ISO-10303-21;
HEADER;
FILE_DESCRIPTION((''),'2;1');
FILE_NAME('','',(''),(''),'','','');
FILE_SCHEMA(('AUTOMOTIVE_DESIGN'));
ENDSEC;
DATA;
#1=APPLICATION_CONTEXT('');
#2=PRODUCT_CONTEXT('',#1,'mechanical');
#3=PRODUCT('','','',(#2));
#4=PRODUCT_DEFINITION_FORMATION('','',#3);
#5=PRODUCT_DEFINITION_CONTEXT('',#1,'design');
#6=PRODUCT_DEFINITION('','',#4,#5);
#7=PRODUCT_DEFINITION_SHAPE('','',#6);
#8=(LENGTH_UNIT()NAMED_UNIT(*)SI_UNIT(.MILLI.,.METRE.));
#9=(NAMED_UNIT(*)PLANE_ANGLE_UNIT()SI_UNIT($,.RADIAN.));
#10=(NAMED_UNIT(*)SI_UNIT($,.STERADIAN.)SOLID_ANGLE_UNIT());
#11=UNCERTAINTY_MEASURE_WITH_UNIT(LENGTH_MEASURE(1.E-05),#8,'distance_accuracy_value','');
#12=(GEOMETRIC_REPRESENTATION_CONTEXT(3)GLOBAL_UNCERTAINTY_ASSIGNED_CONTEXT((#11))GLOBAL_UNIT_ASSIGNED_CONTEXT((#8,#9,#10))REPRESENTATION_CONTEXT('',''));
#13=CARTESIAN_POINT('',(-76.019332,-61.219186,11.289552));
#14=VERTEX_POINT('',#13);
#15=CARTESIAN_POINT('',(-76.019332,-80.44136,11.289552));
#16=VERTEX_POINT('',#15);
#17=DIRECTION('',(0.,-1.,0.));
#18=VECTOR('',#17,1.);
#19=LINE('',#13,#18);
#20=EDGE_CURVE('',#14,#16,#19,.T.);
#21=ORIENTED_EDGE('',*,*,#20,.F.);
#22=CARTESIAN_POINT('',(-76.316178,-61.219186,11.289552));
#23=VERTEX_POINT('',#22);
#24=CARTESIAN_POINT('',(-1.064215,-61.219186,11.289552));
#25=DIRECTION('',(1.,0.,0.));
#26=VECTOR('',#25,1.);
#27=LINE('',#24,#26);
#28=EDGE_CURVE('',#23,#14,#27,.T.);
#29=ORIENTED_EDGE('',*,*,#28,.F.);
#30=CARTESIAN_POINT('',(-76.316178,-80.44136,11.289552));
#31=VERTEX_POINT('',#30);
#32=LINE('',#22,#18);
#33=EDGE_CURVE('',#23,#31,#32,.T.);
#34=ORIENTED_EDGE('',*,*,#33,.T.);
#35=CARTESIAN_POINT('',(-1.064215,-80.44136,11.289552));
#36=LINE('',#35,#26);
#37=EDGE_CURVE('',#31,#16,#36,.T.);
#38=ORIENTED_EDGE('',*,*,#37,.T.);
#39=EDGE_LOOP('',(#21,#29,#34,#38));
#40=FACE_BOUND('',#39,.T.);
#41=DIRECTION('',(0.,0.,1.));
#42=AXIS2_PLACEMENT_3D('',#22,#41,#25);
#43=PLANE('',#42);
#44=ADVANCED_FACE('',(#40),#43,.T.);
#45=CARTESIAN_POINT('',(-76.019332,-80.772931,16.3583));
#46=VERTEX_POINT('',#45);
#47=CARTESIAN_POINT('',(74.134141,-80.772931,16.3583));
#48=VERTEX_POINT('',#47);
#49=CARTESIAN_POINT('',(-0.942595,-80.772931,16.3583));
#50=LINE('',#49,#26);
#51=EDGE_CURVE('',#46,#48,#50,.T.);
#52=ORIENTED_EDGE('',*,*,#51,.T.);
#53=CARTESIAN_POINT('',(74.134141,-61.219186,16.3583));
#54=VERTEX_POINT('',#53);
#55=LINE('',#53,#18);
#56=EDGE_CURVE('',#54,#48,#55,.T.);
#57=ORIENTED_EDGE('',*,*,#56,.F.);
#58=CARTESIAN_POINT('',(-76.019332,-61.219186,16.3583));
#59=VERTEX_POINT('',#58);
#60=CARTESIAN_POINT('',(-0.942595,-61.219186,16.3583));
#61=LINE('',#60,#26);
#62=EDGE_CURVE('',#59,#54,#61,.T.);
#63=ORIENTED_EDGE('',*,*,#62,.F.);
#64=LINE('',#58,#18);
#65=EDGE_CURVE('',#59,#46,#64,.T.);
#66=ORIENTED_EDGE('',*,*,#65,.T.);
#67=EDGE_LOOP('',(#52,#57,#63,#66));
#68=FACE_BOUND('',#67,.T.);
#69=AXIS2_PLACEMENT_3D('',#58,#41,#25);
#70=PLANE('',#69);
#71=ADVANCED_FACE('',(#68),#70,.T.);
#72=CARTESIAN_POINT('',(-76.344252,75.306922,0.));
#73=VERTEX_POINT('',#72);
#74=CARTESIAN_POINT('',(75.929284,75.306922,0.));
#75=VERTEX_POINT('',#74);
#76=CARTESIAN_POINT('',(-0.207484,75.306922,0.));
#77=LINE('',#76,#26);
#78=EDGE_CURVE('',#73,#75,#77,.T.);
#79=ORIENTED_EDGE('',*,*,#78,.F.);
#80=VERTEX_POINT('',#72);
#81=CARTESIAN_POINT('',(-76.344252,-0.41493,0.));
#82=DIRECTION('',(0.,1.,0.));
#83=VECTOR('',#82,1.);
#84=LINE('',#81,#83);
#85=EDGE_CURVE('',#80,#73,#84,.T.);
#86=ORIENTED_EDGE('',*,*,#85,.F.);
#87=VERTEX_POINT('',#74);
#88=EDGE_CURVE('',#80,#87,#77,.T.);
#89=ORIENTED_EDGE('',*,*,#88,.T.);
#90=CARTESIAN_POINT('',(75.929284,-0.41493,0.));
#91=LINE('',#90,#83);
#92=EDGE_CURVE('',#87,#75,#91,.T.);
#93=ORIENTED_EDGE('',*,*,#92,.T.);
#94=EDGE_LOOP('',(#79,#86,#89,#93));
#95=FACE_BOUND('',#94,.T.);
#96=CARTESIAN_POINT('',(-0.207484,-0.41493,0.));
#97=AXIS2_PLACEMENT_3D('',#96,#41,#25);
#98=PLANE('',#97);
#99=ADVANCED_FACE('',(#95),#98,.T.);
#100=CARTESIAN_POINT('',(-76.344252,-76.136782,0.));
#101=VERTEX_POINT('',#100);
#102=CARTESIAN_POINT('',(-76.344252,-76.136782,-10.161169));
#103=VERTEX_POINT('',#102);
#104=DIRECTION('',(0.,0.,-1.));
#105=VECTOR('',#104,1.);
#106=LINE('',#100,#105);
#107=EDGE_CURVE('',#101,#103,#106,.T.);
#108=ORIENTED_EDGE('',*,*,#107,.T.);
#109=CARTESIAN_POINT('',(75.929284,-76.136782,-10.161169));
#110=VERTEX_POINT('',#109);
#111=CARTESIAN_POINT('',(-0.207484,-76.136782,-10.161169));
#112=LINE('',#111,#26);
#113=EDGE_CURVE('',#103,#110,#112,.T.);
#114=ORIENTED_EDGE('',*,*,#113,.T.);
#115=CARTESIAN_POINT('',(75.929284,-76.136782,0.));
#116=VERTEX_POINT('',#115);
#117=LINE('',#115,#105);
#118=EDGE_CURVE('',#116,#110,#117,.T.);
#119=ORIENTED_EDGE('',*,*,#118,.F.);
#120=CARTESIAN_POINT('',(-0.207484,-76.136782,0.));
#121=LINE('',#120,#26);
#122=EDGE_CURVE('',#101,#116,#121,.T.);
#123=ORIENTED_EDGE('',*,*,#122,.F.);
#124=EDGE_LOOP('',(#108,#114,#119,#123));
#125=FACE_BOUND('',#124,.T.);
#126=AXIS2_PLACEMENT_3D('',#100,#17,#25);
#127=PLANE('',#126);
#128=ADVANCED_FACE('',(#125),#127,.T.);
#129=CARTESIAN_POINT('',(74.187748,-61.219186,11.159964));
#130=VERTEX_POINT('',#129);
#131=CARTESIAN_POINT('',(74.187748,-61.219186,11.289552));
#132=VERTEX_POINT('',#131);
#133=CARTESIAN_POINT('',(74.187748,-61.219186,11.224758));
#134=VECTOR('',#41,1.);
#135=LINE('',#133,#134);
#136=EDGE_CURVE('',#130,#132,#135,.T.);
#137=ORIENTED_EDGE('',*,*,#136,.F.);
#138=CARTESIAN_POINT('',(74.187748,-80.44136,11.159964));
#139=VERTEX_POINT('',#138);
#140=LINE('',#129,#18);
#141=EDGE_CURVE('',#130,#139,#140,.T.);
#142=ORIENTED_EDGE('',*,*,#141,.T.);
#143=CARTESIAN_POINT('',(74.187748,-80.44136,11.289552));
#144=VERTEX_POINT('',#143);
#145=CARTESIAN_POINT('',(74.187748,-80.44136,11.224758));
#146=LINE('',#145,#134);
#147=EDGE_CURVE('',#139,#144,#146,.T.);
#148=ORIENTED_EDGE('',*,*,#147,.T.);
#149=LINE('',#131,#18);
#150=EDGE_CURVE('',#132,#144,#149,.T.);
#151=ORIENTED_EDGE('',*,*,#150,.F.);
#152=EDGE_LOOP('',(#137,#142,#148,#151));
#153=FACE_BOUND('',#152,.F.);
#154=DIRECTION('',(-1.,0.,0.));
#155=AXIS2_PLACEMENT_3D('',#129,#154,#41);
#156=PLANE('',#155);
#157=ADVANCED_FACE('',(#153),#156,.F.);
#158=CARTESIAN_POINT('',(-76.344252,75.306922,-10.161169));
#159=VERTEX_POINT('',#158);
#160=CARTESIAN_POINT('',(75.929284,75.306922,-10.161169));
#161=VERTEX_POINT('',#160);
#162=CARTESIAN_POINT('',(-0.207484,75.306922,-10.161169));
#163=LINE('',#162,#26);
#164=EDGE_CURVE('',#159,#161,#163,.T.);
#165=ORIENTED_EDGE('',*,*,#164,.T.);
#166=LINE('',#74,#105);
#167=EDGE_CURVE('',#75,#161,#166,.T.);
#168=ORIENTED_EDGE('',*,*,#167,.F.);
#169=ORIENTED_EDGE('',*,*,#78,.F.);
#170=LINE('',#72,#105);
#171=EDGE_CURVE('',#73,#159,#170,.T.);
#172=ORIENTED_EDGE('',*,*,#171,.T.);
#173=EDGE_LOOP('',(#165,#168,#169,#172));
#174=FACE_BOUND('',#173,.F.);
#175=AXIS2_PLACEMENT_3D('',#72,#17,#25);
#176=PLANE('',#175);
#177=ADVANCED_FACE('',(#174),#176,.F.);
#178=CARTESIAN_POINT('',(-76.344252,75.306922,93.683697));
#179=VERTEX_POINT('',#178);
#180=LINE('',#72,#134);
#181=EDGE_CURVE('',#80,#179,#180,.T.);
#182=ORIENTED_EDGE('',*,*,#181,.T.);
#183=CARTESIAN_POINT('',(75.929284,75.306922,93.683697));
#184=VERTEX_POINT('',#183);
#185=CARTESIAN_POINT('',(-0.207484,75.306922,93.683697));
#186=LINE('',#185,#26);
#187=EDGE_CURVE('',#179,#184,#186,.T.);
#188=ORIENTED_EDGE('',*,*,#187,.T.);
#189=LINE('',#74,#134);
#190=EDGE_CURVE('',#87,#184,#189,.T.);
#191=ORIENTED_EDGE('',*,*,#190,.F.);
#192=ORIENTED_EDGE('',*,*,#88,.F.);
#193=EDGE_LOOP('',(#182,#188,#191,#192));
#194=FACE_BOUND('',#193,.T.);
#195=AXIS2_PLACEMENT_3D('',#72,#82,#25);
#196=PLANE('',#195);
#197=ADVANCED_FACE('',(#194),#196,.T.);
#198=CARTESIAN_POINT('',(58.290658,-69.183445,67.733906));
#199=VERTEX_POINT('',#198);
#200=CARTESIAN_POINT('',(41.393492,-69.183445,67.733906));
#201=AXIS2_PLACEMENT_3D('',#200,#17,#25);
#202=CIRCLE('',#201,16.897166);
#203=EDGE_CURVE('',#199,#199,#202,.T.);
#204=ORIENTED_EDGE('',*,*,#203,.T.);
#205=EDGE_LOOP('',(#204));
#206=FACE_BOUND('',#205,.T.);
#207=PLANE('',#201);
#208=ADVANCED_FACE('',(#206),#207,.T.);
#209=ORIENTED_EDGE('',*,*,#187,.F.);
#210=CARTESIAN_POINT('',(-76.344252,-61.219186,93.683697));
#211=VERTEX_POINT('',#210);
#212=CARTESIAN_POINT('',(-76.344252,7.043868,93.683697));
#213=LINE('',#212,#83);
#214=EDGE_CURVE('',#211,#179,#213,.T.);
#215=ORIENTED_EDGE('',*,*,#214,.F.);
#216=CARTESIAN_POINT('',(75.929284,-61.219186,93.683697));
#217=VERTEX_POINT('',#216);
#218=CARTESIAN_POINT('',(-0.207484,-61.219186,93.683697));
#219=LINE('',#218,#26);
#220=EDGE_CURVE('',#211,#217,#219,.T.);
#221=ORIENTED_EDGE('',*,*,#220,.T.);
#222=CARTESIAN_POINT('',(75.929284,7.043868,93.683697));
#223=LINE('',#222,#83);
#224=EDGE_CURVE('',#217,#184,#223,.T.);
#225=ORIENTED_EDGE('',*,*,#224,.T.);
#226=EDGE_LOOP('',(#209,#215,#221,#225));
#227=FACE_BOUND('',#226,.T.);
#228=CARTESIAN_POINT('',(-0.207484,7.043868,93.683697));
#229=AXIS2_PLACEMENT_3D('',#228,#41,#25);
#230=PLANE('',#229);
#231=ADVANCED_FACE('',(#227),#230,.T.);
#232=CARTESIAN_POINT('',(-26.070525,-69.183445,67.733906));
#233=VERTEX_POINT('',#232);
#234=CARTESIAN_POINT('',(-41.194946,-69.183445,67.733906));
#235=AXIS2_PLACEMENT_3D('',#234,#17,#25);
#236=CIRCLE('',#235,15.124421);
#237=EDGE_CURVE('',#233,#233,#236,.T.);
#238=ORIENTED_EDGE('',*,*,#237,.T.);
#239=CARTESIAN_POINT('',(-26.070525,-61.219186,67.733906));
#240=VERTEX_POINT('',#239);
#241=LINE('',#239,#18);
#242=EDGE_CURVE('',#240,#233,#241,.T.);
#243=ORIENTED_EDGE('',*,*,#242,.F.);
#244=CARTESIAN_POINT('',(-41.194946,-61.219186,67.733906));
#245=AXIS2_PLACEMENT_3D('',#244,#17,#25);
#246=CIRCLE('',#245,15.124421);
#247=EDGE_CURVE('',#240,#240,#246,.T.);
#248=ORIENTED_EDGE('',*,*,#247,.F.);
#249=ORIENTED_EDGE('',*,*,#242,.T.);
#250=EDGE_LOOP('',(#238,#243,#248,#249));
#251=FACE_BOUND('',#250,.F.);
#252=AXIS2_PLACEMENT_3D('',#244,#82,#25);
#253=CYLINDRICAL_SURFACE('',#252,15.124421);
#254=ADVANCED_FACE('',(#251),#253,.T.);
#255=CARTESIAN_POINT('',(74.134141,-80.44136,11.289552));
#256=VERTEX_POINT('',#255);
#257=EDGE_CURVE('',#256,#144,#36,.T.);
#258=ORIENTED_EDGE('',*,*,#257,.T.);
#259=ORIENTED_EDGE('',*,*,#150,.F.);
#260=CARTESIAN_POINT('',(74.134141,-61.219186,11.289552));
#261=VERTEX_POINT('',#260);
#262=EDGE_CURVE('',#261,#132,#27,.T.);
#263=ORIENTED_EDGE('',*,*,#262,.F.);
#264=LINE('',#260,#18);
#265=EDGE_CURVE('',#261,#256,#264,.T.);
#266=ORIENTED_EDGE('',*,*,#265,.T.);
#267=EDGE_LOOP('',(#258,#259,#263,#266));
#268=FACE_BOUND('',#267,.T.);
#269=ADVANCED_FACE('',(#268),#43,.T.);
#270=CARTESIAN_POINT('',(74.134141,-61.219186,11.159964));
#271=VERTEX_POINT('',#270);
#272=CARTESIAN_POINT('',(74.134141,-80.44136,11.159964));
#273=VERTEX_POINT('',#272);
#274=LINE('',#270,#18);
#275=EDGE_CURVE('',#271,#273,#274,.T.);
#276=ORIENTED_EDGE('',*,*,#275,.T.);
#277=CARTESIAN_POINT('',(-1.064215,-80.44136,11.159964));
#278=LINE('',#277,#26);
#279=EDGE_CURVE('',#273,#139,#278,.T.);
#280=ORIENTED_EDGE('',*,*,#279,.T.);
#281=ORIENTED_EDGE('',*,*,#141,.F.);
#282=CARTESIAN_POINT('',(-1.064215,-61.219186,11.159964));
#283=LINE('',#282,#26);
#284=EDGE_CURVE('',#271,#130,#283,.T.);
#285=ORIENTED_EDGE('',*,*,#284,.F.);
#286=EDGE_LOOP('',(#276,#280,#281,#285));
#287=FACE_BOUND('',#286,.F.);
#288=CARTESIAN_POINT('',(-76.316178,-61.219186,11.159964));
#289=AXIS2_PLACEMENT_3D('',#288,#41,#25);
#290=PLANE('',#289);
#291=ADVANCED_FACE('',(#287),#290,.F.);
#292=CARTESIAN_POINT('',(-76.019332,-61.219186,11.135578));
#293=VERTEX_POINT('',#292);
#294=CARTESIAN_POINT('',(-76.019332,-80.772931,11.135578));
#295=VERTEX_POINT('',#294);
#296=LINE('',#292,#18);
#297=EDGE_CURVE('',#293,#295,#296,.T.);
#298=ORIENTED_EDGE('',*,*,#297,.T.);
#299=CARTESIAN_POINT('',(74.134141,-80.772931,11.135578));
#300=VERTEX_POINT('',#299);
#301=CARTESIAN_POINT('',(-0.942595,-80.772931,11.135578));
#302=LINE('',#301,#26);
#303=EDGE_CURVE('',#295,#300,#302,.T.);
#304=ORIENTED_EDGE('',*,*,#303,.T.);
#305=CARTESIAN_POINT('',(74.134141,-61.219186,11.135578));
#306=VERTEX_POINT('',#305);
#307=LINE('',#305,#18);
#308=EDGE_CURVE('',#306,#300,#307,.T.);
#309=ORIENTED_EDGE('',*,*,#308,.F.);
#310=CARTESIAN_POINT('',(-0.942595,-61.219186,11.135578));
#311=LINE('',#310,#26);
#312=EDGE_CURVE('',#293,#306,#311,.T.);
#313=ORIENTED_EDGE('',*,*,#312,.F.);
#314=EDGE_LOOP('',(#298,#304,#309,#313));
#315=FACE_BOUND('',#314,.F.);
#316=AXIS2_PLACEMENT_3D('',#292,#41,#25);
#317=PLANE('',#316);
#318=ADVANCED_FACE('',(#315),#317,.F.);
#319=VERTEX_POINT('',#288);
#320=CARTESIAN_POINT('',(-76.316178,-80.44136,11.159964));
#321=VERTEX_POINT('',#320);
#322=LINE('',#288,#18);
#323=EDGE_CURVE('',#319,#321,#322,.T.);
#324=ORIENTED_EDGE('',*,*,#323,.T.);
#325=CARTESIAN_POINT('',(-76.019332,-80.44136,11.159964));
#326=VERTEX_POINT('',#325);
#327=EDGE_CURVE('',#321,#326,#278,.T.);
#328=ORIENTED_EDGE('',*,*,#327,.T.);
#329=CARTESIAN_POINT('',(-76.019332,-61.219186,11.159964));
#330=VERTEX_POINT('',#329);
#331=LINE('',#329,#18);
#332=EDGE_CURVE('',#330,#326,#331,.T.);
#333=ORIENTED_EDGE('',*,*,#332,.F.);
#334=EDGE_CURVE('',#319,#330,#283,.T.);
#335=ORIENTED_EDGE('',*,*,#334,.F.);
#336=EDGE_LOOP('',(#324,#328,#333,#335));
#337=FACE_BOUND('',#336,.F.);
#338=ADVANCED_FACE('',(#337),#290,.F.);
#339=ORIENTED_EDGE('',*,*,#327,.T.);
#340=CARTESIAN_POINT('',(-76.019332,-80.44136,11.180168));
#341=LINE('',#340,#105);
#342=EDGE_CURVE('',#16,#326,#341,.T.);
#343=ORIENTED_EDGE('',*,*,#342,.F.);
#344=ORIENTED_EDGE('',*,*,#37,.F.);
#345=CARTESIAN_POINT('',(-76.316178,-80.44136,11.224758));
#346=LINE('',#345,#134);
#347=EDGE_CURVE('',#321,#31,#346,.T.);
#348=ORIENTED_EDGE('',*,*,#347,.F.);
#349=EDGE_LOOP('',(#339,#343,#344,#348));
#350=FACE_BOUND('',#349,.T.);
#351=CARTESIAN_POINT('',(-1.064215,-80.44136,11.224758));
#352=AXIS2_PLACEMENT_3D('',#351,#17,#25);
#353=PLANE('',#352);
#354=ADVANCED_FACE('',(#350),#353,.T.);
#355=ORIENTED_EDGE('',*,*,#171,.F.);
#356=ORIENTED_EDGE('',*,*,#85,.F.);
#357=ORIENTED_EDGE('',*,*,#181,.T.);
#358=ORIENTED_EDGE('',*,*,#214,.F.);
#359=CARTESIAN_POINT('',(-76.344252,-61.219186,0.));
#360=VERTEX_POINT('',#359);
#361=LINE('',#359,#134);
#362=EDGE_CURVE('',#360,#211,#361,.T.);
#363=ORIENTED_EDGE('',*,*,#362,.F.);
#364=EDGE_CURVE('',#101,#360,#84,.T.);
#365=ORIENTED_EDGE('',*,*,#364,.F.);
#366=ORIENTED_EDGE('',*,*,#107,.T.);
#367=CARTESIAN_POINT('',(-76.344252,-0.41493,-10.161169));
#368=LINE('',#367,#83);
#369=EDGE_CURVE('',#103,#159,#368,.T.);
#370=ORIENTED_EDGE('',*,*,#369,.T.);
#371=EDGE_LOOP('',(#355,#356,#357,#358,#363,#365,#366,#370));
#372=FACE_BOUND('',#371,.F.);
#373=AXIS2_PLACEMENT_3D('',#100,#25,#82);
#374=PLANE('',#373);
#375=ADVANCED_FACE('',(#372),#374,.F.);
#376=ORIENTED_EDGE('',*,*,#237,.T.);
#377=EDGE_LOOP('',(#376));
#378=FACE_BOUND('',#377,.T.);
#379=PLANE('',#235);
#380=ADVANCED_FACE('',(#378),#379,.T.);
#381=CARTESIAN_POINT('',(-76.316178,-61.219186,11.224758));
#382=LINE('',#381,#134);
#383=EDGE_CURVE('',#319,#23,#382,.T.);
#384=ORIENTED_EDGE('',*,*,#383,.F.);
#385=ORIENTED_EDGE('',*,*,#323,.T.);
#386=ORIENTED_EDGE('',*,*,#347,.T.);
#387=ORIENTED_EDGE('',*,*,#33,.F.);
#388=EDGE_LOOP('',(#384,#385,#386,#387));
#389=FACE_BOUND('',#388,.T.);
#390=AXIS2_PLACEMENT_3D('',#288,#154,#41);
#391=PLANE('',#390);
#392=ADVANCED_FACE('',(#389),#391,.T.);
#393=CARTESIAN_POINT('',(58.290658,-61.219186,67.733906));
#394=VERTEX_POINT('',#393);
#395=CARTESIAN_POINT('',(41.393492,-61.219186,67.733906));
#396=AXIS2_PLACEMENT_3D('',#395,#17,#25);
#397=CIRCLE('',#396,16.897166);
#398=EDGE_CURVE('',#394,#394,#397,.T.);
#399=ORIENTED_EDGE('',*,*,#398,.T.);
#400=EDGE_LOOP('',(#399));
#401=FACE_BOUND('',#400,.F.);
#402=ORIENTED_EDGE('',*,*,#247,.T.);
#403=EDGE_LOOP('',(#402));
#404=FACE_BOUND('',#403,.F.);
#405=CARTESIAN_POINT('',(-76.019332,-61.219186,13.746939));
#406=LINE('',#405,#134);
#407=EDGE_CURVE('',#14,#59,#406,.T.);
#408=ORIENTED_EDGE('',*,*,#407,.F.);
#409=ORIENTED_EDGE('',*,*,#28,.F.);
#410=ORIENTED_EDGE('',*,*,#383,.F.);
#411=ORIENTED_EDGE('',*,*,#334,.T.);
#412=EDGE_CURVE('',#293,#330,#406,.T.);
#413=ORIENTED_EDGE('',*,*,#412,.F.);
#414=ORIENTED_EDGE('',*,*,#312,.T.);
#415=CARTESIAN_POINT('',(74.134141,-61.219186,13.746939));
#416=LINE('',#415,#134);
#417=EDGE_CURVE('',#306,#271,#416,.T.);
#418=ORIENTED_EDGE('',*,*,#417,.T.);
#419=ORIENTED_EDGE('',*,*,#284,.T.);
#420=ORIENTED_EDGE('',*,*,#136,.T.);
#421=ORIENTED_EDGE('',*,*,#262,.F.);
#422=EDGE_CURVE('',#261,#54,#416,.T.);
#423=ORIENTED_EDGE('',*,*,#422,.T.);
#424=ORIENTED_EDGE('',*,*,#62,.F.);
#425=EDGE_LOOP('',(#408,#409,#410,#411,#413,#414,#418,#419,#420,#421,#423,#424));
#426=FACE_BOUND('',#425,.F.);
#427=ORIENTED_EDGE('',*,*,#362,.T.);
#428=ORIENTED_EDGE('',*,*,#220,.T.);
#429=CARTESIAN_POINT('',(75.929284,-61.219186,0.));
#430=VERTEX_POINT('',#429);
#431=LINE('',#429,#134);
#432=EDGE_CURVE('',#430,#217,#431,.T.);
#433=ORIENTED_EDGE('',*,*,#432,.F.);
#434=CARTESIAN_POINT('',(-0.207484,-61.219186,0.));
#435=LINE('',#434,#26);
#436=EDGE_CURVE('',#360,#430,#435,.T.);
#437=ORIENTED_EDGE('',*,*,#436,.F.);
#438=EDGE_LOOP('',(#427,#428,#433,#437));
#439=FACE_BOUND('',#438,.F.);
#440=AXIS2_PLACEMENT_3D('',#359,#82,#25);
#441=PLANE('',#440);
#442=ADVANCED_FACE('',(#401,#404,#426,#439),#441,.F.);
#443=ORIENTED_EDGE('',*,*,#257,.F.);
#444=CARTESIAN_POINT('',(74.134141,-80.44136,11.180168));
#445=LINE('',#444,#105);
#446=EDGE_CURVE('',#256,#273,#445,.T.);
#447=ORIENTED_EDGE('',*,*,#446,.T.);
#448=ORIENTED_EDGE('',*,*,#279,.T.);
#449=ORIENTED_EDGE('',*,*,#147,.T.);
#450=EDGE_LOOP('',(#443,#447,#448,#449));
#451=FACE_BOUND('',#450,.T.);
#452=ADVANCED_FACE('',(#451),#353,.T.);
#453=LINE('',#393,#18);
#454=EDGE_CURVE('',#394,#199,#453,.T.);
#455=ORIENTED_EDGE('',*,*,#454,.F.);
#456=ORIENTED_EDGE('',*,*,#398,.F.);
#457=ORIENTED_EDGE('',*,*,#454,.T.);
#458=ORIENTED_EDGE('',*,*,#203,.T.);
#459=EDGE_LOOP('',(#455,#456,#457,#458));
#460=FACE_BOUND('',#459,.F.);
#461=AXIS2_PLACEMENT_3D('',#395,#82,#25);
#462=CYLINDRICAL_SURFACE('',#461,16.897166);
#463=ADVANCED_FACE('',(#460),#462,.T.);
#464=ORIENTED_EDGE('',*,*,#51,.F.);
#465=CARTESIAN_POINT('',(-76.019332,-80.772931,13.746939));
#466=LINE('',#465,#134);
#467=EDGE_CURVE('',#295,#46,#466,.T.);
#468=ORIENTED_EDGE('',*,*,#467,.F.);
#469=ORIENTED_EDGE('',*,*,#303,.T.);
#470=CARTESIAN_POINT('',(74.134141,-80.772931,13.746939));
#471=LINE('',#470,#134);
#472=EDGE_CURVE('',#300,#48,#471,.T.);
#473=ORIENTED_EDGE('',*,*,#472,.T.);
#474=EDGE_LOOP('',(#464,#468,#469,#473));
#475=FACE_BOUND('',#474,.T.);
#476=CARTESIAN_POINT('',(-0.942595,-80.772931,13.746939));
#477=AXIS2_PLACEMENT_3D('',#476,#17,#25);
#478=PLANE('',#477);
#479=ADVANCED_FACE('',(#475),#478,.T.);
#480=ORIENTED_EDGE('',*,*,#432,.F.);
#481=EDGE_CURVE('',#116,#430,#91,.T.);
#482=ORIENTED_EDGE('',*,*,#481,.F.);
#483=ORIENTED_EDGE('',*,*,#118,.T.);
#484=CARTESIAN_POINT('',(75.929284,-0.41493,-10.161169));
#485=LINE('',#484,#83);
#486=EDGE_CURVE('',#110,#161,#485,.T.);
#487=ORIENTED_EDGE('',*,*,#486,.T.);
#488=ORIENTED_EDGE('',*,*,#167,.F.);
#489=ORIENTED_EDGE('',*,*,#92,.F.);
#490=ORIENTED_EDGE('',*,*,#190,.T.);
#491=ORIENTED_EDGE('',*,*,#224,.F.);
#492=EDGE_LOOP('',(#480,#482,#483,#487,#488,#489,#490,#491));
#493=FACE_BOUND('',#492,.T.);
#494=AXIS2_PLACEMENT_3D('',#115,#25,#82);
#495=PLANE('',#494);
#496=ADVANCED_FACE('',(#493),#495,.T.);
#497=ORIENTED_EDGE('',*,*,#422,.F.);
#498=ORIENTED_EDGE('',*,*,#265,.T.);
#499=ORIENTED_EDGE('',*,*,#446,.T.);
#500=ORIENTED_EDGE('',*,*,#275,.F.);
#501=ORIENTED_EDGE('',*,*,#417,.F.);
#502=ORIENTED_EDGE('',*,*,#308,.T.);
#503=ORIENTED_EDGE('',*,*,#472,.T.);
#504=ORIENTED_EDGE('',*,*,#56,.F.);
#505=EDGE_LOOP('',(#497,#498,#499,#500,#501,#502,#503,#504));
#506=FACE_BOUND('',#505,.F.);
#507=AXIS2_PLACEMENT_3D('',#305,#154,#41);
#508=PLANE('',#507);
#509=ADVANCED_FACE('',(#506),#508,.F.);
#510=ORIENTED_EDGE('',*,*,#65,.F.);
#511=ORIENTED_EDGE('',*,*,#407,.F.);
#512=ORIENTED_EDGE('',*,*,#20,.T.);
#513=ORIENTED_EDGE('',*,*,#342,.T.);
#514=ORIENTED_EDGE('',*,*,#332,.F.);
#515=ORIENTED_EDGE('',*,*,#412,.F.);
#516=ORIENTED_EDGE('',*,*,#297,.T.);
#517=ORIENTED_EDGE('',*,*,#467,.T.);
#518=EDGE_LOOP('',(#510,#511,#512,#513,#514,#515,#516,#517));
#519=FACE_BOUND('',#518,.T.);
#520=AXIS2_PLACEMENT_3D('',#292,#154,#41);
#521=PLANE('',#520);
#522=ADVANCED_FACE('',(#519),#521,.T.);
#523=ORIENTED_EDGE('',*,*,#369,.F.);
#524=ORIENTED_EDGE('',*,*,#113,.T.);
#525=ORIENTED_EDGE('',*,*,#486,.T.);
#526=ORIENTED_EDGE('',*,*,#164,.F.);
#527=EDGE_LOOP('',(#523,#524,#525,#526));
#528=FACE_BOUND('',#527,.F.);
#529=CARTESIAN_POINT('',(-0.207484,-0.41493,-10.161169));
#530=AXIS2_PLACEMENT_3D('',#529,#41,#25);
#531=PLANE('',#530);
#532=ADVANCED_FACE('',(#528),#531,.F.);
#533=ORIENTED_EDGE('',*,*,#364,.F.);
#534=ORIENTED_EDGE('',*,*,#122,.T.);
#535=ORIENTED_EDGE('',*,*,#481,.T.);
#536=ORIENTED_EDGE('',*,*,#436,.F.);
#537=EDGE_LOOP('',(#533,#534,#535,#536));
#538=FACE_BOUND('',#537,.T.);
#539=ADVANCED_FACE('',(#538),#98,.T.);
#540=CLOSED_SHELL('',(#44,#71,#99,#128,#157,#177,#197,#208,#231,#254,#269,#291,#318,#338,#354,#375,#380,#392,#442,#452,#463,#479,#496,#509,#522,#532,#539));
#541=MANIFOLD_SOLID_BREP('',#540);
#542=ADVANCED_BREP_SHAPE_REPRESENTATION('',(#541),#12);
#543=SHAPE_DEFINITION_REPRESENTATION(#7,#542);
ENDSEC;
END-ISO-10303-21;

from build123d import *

# Parameters (mm, degrees)
F0_W      = 152.273536
F0_H      = 151.443705
F1_DEPTH  = 10.161169
F2_W      = 152.273536
F2_H      = 136.526108
F3_DEPTH  = 93.683697
F4_R      = 15.124421
F4_R_2    = 16.897166
F5_DEPTH  = 7.964259
F7_W      = 150.503926
F7_H      = 0.129588
F8_DEPTH  = 19.222174
F9_W      = 150.153473
F9_H      = 5.222723
F10_DEPTH = 19.553745


with BuildPart() as f1:
    # F0 (on Top) → F1 (new body)
    with BuildSketch(Plane.XY):
        with Locations((-0.207484, -0.41493)):
            Rectangle(F0_W, F0_H)
    extrude(amount=-F1_DEPTH)

    # F2 (on face) → F3 (join)
    with BuildSketch(Plane.XY):
        with Locations((-0.207484, 7.043868)):
            Rectangle(F2_W, F2_H)
    extrude(amount=F3_DEPTH)

    # F4 (on face) → F5 (join)
    with BuildSketch(Plane.XZ.offset(61.219186)):
        with Locations((-41.194946, 67.733906)):
            Circle(F4_R)
        with Locations((41.393492, 67.733906)):
            Circle(F4_R_2)
    extrude(amount=F5_DEPTH)

    # F7 (on face) → F8 (join)
    with BuildSketch(Plane.XZ.offset(61.219186)):
        with Locations((-1.064215, 11.224758)):
            Rectangle(F7_W, F7_H)
    extrude(amount=F8_DEPTH)

    # F9 (on face) → F10 (join)
    with BuildSketch(Plane.XZ.offset(61.219186)):
        with Locations((-0.942595, 13.746939)):
            Rectangle(F9_W, F9_H)
    extrude(amount=F10_DEPTH)


solid = f1.part
